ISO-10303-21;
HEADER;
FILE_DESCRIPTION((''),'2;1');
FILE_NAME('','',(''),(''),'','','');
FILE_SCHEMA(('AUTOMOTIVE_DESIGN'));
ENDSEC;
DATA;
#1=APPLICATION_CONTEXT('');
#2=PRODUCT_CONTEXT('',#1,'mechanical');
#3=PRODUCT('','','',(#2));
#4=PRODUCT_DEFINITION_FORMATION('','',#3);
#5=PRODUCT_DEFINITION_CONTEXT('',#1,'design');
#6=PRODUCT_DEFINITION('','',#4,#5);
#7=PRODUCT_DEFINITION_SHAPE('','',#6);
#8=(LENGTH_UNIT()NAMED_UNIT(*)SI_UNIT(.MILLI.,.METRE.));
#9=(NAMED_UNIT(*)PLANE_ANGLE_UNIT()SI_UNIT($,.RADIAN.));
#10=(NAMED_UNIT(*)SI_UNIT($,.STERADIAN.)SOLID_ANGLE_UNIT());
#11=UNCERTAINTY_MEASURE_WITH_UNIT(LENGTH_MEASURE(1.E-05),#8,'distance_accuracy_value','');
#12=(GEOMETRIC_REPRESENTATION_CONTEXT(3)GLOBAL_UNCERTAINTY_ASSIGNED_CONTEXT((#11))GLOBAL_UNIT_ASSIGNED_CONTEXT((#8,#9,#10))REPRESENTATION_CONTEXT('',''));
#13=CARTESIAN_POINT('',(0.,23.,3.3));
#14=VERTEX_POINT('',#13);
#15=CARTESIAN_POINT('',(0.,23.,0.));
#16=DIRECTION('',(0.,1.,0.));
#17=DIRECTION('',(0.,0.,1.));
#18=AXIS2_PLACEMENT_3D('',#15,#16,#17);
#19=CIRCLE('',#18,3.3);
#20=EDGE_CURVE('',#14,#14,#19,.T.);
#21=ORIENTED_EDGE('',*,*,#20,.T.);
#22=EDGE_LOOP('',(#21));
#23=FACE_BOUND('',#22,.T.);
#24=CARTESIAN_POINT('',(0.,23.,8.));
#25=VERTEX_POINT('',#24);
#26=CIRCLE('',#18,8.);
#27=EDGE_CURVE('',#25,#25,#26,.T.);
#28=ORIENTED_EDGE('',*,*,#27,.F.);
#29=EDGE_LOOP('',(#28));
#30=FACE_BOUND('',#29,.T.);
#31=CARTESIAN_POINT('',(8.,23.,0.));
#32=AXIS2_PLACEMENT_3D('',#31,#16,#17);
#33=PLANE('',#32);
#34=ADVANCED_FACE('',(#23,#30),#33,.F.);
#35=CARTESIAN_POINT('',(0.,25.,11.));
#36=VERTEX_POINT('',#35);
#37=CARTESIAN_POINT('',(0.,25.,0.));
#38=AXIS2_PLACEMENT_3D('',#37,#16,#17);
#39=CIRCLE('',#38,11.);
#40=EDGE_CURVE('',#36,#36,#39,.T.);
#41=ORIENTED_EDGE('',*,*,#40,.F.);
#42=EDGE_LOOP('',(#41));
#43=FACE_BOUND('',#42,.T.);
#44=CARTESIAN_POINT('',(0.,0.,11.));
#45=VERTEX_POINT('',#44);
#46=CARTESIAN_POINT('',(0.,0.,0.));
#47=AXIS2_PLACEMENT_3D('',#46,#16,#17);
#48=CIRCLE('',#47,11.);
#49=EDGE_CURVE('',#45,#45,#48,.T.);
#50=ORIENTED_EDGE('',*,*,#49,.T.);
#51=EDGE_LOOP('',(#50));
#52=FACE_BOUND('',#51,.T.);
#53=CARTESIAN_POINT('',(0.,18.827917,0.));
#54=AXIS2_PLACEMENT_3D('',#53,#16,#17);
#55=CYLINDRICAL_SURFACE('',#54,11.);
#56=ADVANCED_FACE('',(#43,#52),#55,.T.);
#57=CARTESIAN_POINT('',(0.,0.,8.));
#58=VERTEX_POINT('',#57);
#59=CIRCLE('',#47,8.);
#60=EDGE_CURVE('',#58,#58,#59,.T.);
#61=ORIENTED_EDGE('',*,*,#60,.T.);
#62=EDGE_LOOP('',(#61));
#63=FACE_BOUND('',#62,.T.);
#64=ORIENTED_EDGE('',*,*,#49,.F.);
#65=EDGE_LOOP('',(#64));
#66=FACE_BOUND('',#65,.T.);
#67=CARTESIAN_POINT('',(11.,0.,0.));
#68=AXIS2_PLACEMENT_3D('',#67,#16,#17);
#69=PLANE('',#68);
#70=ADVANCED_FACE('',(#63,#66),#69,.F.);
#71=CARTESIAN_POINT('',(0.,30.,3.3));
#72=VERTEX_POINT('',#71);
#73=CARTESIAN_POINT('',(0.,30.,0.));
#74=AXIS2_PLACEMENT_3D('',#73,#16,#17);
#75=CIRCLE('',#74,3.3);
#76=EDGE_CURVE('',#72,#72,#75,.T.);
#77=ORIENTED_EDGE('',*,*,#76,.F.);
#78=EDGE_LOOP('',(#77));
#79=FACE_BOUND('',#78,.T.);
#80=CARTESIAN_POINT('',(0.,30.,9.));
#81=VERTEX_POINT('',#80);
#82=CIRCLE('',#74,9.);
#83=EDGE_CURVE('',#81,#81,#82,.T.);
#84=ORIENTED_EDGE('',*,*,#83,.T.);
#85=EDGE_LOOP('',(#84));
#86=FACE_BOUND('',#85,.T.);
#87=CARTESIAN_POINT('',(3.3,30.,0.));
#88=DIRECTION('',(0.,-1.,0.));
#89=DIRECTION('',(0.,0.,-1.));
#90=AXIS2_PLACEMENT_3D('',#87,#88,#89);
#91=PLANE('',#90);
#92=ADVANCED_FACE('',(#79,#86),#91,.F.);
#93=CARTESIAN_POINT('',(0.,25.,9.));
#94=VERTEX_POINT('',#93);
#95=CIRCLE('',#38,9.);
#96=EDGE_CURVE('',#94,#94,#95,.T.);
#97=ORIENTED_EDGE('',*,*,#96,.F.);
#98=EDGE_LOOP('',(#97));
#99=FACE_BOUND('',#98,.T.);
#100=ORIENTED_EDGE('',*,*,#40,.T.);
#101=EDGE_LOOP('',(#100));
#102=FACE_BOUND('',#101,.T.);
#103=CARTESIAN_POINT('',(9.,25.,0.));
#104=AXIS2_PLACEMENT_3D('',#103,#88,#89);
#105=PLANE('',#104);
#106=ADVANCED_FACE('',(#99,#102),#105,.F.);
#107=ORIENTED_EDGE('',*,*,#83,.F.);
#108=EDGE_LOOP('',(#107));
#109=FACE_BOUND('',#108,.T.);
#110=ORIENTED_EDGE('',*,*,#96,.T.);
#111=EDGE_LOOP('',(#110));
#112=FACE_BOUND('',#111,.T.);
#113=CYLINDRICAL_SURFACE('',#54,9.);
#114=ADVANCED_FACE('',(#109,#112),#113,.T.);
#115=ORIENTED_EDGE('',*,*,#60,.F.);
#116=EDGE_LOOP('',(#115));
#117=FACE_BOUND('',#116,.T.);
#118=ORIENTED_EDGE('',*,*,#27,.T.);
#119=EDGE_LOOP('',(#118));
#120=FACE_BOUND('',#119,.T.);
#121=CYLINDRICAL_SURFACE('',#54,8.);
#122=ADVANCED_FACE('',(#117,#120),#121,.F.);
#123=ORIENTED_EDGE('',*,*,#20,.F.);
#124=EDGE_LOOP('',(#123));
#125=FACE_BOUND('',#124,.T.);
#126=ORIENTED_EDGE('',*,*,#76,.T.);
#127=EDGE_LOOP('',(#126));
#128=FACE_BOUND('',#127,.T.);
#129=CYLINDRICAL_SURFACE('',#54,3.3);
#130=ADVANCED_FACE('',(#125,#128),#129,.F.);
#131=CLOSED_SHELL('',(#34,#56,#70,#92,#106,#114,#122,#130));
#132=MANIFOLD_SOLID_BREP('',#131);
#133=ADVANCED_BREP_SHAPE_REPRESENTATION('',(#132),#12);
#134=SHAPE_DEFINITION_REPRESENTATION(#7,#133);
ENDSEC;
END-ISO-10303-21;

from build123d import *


with BuildPart() as part:
    # Sketch1 → Revolve1 (revolve)
    with BuildSketch(Plane.XY, mode=Mode.PRIVATE) as revolve1_sk:
        Polygon((3.3, 30), (9, 30), (9, 25), (11, 25), (11, 0), (8, 0), (8, 23), (3.3, 23), align=None)
    revolve(revolve1_sk.sketch.rotate(Axis((0, 18.827916691, 0), (0, -1, 0)), 90), axis=Axis((0, 18.827916691, 0), (0, -1, 0)))


solid = part.part
